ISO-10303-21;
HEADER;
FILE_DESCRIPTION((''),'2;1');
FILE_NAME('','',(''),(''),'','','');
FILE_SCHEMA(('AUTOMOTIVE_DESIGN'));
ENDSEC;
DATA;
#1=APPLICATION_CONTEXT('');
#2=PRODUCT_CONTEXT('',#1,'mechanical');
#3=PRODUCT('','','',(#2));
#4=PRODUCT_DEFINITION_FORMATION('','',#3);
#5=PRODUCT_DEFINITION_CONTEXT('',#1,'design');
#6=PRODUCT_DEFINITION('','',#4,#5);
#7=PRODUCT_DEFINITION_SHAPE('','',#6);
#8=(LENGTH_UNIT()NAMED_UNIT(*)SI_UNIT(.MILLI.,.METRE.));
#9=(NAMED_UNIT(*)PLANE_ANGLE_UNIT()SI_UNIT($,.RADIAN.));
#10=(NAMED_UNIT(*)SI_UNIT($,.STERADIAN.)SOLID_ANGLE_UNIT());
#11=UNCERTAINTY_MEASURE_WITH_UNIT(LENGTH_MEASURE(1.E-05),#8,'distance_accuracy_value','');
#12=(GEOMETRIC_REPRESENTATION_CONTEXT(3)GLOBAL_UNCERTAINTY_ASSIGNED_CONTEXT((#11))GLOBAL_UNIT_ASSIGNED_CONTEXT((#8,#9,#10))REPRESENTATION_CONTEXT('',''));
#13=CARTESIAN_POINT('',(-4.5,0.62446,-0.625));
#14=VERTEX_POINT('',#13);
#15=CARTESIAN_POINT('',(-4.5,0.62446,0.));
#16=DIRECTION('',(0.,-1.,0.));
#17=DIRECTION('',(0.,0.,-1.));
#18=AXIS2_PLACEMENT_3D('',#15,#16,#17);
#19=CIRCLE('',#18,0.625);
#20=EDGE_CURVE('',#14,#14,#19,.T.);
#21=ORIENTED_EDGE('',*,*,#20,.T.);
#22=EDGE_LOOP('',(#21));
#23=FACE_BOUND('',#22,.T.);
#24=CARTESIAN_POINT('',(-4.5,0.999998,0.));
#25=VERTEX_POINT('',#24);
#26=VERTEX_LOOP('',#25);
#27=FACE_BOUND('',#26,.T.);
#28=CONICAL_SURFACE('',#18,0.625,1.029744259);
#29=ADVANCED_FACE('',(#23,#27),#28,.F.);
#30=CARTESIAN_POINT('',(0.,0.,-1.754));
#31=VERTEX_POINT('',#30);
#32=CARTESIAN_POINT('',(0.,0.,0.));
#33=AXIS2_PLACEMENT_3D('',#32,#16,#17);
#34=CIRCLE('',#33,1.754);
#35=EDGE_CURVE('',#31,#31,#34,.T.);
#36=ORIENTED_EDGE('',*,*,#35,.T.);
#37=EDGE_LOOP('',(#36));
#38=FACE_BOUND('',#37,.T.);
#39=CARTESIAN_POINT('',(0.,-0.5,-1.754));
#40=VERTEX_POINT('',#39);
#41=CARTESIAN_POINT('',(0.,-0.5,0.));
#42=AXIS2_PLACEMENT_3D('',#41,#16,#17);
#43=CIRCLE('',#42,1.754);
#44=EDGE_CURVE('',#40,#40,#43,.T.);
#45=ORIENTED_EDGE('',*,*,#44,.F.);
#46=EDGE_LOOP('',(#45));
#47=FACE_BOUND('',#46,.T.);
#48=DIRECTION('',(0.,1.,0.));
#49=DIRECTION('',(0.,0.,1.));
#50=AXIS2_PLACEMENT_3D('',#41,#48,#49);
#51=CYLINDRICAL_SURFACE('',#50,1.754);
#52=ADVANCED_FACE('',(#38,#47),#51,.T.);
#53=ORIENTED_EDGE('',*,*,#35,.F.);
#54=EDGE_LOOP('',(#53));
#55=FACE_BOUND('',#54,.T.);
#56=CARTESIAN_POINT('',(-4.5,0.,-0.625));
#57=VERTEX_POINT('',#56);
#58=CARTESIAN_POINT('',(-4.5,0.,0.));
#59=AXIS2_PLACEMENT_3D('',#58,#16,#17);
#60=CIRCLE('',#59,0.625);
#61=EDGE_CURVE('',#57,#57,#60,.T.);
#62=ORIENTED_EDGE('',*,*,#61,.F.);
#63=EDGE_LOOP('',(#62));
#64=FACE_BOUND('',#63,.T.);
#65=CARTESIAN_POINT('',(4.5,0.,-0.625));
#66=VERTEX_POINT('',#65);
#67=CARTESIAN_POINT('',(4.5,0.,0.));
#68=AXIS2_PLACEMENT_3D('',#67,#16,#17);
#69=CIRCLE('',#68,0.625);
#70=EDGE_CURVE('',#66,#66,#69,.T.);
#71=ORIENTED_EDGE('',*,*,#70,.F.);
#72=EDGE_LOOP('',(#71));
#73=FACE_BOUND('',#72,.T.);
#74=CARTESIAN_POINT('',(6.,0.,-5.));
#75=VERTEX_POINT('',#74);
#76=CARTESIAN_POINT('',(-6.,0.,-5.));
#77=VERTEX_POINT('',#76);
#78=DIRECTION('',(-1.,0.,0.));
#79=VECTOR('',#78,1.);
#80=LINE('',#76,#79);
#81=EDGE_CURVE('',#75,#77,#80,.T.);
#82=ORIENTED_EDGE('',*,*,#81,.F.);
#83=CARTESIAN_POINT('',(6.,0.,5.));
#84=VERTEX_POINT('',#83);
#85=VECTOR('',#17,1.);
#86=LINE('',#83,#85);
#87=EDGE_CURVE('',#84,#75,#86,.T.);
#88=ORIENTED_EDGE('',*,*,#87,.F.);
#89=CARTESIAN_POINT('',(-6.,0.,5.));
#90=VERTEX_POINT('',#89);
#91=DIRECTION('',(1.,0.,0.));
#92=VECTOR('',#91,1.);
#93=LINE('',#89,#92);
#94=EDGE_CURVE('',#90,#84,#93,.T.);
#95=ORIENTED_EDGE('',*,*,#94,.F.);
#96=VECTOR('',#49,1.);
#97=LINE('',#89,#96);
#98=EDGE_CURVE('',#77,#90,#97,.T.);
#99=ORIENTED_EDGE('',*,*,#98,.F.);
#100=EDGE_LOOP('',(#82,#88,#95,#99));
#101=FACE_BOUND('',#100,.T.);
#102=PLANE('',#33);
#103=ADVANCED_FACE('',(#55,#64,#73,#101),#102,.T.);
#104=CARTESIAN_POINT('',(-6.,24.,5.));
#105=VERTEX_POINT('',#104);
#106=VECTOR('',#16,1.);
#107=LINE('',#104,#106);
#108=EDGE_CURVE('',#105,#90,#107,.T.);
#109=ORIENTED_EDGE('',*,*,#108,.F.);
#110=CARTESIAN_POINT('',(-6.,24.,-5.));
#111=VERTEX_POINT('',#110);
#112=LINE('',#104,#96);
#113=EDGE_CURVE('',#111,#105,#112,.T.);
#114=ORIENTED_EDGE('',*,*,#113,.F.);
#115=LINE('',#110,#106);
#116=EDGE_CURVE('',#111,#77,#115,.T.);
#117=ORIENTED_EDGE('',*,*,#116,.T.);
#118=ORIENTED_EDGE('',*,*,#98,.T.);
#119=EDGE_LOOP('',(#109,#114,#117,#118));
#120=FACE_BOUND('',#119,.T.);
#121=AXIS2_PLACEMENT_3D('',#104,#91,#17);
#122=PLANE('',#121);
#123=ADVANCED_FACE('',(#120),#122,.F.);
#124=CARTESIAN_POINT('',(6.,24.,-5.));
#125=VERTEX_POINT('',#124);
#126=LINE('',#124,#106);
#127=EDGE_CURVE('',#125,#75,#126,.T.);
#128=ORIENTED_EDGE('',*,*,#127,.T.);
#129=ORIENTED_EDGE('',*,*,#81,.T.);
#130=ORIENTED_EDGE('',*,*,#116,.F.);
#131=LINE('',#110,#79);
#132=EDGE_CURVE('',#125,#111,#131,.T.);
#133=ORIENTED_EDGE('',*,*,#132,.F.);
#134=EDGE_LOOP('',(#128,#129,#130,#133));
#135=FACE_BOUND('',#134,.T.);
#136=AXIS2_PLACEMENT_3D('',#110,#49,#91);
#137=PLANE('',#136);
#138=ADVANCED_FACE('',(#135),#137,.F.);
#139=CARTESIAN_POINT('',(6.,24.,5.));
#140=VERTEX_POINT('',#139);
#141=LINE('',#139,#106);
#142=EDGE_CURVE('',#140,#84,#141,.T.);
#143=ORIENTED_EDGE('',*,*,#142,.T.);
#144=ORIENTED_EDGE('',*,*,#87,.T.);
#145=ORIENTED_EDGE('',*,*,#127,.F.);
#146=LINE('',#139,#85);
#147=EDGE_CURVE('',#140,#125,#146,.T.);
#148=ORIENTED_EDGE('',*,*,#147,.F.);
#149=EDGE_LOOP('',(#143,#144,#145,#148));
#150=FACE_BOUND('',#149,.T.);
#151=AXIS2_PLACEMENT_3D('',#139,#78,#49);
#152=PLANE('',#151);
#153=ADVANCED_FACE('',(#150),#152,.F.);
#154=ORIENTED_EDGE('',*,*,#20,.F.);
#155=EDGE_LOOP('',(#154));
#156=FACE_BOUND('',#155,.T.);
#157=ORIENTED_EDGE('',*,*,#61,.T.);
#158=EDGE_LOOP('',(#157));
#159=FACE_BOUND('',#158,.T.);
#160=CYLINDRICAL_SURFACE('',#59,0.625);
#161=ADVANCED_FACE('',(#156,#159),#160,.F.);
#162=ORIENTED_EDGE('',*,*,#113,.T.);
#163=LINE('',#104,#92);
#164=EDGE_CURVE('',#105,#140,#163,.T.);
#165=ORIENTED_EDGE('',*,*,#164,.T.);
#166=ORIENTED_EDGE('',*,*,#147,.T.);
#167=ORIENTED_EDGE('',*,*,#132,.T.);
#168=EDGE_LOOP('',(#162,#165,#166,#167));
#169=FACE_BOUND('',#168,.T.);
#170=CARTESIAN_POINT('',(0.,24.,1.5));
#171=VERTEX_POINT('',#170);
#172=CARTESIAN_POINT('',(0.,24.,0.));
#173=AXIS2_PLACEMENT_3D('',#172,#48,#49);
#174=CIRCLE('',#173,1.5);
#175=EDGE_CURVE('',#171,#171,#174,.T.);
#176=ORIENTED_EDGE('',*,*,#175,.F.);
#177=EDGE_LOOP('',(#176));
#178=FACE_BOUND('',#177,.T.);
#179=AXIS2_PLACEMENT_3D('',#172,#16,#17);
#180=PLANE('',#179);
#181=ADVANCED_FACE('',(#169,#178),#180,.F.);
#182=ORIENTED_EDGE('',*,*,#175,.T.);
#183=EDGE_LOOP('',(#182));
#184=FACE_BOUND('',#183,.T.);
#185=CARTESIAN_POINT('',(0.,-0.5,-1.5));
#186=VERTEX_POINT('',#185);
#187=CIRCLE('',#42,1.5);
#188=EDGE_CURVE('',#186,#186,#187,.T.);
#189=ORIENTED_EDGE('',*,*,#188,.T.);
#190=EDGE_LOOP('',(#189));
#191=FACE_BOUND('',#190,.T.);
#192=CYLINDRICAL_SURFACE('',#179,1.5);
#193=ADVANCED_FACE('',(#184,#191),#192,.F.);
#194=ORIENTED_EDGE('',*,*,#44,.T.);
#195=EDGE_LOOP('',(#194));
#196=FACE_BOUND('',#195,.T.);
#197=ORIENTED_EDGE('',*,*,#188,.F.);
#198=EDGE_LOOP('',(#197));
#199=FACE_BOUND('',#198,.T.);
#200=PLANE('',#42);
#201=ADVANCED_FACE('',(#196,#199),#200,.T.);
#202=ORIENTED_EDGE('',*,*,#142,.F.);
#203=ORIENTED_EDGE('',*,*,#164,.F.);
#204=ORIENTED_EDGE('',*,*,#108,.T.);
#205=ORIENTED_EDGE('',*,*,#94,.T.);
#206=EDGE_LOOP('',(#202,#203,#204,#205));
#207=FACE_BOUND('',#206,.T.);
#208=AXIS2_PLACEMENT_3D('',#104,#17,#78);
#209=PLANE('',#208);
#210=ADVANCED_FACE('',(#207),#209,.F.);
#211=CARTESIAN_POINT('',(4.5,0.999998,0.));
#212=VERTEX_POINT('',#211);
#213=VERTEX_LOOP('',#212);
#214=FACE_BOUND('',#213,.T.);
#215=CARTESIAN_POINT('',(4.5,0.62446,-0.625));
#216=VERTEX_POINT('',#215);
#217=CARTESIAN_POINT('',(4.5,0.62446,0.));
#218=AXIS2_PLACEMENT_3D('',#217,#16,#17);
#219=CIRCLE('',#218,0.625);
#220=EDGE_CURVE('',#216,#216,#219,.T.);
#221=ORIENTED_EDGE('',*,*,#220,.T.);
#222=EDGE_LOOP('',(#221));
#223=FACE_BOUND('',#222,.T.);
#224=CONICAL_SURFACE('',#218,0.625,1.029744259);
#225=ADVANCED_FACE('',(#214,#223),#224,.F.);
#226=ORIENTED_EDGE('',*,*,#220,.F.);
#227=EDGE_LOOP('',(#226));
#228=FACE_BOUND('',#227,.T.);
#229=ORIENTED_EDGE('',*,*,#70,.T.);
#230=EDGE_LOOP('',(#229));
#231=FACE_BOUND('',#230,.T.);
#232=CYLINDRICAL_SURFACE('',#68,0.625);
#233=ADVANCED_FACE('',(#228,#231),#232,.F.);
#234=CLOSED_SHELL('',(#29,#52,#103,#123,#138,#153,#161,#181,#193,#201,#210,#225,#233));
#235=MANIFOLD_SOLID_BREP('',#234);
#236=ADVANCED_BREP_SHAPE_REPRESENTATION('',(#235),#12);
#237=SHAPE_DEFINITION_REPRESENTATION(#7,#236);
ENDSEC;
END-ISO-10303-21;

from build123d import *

# Parameters (mm, degrees)
SKETCH1_W                          = 12
SKETCH1_H                          = 10
SKETCH1_R                          = 1.5
BOSS_EXTRUDE1_DEPTH                = 24
SKETCH2_R                          = 1.754
SKETCH2_R_2                        = 1.5
BOSS_EXTRUDE2_DEPTH                = 0.5
TAP_DRILL_FOR_M1_6X0_35_TAP1_D     = 1.25
TAP_DRILL_FOR_M1_6X0_35_TAP1_DEPTH = 0.624460113
TAP_DRILL_FOR_M1_6X0_35_TAP1_TIP   = 0.375537887


with BuildPart() as part:
    # Sketch1 → Boss-Extrude1 (new body)
    with BuildSketch(Plane(origin=(0, 0, 0), x_dir=(1, 0, 0), z_dir=(0, 1, 0))):
        Rectangle(SKETCH1_W, SKETCH1_H)
        Circle(SKETCH1_R, mode=Mode.SUBTRACT)
    extrude(amount=BOSS_EXTRUDE1_DEPTH)

    # Sketch2 → Boss-Extrude2 (add)
    with BuildSketch(Plane.XZ):
        Circle(SKETCH2_R)
        Circle(SKETCH2_R_2, mode=Mode.SUBTRACT)
    extrude(amount=BOSS_EXTRUDE2_DEPTH)

    # Tap Drill for M1.6x0.35 Tap1
    with Locations(Plane(origin=(0, 0, 0), x_dir=(-1, 0, 0), z_dir=(0, -1, 0))):
        with Locations((-4.5, 0), (4.5, 0)):
            Hole(TAP_DRILL_FOR_M1_6X0_35_TAP1_D / 2, depth=TAP_DRILL_FOR_M1_6X0_35_TAP1_DEPTH)
            with Locations((0, 0, -(TAP_DRILL_FOR_M1_6X0_35_TAP1_DEPTH + TAP_DRILL_FOR_M1_6X0_35_TAP1_TIP / 2))):  # 118° drill point
                Cone(0, TAP_DRILL_FOR_M1_6X0_35_TAP1_D / 2, TAP_DRILL_FOR_M1_6X0_35_TAP1_TIP, mode=Mode.SUBTRACT)


solid = part.part
